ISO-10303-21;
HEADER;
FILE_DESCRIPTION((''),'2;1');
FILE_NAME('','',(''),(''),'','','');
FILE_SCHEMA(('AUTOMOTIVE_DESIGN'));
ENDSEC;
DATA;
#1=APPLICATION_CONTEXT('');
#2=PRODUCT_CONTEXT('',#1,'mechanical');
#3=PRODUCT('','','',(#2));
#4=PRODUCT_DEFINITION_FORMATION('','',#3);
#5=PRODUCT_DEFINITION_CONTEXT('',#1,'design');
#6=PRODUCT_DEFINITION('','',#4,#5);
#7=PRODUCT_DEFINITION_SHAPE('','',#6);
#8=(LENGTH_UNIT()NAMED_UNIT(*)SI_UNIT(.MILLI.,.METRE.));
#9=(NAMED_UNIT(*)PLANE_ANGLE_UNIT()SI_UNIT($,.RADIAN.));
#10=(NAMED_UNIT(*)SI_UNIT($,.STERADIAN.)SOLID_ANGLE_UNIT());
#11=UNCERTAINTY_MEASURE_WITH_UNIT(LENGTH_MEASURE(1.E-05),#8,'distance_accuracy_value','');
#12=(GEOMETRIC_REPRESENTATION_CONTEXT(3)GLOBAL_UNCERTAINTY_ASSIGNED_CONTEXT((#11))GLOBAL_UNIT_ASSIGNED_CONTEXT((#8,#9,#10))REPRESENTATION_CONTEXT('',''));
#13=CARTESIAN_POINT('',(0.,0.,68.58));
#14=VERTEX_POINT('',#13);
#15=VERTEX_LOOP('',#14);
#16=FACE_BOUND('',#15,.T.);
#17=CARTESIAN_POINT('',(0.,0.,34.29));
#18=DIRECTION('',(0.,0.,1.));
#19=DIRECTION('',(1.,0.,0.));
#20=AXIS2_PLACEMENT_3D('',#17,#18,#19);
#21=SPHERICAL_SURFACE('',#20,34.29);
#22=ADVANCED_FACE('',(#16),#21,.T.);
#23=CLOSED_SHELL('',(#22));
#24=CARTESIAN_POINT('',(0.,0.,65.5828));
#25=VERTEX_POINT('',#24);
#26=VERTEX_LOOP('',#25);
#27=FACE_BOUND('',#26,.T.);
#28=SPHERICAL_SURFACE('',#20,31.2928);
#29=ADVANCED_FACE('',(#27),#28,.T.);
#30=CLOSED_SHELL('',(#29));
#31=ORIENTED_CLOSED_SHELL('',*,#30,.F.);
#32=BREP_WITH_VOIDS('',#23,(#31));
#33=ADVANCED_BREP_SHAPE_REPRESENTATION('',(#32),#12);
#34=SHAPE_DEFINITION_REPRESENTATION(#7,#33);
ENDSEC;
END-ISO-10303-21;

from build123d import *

# Parameters (mm, degrees)
F2_T = -2.9972


with BuildPart() as f1:
    # F0 (on Front) → F1 (revolve)
    with BuildSketch(Plane.XZ):
        with BuildLine():
            Line((0, 68.58), (0, 0))
            ThreePointArc((0, 0), (34.29, 34.29), (0, 68.58))
        make_face()
    revolve(axis=Axis((0, 0, 34.29), (0, 0, 1)))

    # F2 (hollow: no face is removed)
    offset(amount=F2_T, mode=Mode.SUBTRACT)


solid = f1.part
